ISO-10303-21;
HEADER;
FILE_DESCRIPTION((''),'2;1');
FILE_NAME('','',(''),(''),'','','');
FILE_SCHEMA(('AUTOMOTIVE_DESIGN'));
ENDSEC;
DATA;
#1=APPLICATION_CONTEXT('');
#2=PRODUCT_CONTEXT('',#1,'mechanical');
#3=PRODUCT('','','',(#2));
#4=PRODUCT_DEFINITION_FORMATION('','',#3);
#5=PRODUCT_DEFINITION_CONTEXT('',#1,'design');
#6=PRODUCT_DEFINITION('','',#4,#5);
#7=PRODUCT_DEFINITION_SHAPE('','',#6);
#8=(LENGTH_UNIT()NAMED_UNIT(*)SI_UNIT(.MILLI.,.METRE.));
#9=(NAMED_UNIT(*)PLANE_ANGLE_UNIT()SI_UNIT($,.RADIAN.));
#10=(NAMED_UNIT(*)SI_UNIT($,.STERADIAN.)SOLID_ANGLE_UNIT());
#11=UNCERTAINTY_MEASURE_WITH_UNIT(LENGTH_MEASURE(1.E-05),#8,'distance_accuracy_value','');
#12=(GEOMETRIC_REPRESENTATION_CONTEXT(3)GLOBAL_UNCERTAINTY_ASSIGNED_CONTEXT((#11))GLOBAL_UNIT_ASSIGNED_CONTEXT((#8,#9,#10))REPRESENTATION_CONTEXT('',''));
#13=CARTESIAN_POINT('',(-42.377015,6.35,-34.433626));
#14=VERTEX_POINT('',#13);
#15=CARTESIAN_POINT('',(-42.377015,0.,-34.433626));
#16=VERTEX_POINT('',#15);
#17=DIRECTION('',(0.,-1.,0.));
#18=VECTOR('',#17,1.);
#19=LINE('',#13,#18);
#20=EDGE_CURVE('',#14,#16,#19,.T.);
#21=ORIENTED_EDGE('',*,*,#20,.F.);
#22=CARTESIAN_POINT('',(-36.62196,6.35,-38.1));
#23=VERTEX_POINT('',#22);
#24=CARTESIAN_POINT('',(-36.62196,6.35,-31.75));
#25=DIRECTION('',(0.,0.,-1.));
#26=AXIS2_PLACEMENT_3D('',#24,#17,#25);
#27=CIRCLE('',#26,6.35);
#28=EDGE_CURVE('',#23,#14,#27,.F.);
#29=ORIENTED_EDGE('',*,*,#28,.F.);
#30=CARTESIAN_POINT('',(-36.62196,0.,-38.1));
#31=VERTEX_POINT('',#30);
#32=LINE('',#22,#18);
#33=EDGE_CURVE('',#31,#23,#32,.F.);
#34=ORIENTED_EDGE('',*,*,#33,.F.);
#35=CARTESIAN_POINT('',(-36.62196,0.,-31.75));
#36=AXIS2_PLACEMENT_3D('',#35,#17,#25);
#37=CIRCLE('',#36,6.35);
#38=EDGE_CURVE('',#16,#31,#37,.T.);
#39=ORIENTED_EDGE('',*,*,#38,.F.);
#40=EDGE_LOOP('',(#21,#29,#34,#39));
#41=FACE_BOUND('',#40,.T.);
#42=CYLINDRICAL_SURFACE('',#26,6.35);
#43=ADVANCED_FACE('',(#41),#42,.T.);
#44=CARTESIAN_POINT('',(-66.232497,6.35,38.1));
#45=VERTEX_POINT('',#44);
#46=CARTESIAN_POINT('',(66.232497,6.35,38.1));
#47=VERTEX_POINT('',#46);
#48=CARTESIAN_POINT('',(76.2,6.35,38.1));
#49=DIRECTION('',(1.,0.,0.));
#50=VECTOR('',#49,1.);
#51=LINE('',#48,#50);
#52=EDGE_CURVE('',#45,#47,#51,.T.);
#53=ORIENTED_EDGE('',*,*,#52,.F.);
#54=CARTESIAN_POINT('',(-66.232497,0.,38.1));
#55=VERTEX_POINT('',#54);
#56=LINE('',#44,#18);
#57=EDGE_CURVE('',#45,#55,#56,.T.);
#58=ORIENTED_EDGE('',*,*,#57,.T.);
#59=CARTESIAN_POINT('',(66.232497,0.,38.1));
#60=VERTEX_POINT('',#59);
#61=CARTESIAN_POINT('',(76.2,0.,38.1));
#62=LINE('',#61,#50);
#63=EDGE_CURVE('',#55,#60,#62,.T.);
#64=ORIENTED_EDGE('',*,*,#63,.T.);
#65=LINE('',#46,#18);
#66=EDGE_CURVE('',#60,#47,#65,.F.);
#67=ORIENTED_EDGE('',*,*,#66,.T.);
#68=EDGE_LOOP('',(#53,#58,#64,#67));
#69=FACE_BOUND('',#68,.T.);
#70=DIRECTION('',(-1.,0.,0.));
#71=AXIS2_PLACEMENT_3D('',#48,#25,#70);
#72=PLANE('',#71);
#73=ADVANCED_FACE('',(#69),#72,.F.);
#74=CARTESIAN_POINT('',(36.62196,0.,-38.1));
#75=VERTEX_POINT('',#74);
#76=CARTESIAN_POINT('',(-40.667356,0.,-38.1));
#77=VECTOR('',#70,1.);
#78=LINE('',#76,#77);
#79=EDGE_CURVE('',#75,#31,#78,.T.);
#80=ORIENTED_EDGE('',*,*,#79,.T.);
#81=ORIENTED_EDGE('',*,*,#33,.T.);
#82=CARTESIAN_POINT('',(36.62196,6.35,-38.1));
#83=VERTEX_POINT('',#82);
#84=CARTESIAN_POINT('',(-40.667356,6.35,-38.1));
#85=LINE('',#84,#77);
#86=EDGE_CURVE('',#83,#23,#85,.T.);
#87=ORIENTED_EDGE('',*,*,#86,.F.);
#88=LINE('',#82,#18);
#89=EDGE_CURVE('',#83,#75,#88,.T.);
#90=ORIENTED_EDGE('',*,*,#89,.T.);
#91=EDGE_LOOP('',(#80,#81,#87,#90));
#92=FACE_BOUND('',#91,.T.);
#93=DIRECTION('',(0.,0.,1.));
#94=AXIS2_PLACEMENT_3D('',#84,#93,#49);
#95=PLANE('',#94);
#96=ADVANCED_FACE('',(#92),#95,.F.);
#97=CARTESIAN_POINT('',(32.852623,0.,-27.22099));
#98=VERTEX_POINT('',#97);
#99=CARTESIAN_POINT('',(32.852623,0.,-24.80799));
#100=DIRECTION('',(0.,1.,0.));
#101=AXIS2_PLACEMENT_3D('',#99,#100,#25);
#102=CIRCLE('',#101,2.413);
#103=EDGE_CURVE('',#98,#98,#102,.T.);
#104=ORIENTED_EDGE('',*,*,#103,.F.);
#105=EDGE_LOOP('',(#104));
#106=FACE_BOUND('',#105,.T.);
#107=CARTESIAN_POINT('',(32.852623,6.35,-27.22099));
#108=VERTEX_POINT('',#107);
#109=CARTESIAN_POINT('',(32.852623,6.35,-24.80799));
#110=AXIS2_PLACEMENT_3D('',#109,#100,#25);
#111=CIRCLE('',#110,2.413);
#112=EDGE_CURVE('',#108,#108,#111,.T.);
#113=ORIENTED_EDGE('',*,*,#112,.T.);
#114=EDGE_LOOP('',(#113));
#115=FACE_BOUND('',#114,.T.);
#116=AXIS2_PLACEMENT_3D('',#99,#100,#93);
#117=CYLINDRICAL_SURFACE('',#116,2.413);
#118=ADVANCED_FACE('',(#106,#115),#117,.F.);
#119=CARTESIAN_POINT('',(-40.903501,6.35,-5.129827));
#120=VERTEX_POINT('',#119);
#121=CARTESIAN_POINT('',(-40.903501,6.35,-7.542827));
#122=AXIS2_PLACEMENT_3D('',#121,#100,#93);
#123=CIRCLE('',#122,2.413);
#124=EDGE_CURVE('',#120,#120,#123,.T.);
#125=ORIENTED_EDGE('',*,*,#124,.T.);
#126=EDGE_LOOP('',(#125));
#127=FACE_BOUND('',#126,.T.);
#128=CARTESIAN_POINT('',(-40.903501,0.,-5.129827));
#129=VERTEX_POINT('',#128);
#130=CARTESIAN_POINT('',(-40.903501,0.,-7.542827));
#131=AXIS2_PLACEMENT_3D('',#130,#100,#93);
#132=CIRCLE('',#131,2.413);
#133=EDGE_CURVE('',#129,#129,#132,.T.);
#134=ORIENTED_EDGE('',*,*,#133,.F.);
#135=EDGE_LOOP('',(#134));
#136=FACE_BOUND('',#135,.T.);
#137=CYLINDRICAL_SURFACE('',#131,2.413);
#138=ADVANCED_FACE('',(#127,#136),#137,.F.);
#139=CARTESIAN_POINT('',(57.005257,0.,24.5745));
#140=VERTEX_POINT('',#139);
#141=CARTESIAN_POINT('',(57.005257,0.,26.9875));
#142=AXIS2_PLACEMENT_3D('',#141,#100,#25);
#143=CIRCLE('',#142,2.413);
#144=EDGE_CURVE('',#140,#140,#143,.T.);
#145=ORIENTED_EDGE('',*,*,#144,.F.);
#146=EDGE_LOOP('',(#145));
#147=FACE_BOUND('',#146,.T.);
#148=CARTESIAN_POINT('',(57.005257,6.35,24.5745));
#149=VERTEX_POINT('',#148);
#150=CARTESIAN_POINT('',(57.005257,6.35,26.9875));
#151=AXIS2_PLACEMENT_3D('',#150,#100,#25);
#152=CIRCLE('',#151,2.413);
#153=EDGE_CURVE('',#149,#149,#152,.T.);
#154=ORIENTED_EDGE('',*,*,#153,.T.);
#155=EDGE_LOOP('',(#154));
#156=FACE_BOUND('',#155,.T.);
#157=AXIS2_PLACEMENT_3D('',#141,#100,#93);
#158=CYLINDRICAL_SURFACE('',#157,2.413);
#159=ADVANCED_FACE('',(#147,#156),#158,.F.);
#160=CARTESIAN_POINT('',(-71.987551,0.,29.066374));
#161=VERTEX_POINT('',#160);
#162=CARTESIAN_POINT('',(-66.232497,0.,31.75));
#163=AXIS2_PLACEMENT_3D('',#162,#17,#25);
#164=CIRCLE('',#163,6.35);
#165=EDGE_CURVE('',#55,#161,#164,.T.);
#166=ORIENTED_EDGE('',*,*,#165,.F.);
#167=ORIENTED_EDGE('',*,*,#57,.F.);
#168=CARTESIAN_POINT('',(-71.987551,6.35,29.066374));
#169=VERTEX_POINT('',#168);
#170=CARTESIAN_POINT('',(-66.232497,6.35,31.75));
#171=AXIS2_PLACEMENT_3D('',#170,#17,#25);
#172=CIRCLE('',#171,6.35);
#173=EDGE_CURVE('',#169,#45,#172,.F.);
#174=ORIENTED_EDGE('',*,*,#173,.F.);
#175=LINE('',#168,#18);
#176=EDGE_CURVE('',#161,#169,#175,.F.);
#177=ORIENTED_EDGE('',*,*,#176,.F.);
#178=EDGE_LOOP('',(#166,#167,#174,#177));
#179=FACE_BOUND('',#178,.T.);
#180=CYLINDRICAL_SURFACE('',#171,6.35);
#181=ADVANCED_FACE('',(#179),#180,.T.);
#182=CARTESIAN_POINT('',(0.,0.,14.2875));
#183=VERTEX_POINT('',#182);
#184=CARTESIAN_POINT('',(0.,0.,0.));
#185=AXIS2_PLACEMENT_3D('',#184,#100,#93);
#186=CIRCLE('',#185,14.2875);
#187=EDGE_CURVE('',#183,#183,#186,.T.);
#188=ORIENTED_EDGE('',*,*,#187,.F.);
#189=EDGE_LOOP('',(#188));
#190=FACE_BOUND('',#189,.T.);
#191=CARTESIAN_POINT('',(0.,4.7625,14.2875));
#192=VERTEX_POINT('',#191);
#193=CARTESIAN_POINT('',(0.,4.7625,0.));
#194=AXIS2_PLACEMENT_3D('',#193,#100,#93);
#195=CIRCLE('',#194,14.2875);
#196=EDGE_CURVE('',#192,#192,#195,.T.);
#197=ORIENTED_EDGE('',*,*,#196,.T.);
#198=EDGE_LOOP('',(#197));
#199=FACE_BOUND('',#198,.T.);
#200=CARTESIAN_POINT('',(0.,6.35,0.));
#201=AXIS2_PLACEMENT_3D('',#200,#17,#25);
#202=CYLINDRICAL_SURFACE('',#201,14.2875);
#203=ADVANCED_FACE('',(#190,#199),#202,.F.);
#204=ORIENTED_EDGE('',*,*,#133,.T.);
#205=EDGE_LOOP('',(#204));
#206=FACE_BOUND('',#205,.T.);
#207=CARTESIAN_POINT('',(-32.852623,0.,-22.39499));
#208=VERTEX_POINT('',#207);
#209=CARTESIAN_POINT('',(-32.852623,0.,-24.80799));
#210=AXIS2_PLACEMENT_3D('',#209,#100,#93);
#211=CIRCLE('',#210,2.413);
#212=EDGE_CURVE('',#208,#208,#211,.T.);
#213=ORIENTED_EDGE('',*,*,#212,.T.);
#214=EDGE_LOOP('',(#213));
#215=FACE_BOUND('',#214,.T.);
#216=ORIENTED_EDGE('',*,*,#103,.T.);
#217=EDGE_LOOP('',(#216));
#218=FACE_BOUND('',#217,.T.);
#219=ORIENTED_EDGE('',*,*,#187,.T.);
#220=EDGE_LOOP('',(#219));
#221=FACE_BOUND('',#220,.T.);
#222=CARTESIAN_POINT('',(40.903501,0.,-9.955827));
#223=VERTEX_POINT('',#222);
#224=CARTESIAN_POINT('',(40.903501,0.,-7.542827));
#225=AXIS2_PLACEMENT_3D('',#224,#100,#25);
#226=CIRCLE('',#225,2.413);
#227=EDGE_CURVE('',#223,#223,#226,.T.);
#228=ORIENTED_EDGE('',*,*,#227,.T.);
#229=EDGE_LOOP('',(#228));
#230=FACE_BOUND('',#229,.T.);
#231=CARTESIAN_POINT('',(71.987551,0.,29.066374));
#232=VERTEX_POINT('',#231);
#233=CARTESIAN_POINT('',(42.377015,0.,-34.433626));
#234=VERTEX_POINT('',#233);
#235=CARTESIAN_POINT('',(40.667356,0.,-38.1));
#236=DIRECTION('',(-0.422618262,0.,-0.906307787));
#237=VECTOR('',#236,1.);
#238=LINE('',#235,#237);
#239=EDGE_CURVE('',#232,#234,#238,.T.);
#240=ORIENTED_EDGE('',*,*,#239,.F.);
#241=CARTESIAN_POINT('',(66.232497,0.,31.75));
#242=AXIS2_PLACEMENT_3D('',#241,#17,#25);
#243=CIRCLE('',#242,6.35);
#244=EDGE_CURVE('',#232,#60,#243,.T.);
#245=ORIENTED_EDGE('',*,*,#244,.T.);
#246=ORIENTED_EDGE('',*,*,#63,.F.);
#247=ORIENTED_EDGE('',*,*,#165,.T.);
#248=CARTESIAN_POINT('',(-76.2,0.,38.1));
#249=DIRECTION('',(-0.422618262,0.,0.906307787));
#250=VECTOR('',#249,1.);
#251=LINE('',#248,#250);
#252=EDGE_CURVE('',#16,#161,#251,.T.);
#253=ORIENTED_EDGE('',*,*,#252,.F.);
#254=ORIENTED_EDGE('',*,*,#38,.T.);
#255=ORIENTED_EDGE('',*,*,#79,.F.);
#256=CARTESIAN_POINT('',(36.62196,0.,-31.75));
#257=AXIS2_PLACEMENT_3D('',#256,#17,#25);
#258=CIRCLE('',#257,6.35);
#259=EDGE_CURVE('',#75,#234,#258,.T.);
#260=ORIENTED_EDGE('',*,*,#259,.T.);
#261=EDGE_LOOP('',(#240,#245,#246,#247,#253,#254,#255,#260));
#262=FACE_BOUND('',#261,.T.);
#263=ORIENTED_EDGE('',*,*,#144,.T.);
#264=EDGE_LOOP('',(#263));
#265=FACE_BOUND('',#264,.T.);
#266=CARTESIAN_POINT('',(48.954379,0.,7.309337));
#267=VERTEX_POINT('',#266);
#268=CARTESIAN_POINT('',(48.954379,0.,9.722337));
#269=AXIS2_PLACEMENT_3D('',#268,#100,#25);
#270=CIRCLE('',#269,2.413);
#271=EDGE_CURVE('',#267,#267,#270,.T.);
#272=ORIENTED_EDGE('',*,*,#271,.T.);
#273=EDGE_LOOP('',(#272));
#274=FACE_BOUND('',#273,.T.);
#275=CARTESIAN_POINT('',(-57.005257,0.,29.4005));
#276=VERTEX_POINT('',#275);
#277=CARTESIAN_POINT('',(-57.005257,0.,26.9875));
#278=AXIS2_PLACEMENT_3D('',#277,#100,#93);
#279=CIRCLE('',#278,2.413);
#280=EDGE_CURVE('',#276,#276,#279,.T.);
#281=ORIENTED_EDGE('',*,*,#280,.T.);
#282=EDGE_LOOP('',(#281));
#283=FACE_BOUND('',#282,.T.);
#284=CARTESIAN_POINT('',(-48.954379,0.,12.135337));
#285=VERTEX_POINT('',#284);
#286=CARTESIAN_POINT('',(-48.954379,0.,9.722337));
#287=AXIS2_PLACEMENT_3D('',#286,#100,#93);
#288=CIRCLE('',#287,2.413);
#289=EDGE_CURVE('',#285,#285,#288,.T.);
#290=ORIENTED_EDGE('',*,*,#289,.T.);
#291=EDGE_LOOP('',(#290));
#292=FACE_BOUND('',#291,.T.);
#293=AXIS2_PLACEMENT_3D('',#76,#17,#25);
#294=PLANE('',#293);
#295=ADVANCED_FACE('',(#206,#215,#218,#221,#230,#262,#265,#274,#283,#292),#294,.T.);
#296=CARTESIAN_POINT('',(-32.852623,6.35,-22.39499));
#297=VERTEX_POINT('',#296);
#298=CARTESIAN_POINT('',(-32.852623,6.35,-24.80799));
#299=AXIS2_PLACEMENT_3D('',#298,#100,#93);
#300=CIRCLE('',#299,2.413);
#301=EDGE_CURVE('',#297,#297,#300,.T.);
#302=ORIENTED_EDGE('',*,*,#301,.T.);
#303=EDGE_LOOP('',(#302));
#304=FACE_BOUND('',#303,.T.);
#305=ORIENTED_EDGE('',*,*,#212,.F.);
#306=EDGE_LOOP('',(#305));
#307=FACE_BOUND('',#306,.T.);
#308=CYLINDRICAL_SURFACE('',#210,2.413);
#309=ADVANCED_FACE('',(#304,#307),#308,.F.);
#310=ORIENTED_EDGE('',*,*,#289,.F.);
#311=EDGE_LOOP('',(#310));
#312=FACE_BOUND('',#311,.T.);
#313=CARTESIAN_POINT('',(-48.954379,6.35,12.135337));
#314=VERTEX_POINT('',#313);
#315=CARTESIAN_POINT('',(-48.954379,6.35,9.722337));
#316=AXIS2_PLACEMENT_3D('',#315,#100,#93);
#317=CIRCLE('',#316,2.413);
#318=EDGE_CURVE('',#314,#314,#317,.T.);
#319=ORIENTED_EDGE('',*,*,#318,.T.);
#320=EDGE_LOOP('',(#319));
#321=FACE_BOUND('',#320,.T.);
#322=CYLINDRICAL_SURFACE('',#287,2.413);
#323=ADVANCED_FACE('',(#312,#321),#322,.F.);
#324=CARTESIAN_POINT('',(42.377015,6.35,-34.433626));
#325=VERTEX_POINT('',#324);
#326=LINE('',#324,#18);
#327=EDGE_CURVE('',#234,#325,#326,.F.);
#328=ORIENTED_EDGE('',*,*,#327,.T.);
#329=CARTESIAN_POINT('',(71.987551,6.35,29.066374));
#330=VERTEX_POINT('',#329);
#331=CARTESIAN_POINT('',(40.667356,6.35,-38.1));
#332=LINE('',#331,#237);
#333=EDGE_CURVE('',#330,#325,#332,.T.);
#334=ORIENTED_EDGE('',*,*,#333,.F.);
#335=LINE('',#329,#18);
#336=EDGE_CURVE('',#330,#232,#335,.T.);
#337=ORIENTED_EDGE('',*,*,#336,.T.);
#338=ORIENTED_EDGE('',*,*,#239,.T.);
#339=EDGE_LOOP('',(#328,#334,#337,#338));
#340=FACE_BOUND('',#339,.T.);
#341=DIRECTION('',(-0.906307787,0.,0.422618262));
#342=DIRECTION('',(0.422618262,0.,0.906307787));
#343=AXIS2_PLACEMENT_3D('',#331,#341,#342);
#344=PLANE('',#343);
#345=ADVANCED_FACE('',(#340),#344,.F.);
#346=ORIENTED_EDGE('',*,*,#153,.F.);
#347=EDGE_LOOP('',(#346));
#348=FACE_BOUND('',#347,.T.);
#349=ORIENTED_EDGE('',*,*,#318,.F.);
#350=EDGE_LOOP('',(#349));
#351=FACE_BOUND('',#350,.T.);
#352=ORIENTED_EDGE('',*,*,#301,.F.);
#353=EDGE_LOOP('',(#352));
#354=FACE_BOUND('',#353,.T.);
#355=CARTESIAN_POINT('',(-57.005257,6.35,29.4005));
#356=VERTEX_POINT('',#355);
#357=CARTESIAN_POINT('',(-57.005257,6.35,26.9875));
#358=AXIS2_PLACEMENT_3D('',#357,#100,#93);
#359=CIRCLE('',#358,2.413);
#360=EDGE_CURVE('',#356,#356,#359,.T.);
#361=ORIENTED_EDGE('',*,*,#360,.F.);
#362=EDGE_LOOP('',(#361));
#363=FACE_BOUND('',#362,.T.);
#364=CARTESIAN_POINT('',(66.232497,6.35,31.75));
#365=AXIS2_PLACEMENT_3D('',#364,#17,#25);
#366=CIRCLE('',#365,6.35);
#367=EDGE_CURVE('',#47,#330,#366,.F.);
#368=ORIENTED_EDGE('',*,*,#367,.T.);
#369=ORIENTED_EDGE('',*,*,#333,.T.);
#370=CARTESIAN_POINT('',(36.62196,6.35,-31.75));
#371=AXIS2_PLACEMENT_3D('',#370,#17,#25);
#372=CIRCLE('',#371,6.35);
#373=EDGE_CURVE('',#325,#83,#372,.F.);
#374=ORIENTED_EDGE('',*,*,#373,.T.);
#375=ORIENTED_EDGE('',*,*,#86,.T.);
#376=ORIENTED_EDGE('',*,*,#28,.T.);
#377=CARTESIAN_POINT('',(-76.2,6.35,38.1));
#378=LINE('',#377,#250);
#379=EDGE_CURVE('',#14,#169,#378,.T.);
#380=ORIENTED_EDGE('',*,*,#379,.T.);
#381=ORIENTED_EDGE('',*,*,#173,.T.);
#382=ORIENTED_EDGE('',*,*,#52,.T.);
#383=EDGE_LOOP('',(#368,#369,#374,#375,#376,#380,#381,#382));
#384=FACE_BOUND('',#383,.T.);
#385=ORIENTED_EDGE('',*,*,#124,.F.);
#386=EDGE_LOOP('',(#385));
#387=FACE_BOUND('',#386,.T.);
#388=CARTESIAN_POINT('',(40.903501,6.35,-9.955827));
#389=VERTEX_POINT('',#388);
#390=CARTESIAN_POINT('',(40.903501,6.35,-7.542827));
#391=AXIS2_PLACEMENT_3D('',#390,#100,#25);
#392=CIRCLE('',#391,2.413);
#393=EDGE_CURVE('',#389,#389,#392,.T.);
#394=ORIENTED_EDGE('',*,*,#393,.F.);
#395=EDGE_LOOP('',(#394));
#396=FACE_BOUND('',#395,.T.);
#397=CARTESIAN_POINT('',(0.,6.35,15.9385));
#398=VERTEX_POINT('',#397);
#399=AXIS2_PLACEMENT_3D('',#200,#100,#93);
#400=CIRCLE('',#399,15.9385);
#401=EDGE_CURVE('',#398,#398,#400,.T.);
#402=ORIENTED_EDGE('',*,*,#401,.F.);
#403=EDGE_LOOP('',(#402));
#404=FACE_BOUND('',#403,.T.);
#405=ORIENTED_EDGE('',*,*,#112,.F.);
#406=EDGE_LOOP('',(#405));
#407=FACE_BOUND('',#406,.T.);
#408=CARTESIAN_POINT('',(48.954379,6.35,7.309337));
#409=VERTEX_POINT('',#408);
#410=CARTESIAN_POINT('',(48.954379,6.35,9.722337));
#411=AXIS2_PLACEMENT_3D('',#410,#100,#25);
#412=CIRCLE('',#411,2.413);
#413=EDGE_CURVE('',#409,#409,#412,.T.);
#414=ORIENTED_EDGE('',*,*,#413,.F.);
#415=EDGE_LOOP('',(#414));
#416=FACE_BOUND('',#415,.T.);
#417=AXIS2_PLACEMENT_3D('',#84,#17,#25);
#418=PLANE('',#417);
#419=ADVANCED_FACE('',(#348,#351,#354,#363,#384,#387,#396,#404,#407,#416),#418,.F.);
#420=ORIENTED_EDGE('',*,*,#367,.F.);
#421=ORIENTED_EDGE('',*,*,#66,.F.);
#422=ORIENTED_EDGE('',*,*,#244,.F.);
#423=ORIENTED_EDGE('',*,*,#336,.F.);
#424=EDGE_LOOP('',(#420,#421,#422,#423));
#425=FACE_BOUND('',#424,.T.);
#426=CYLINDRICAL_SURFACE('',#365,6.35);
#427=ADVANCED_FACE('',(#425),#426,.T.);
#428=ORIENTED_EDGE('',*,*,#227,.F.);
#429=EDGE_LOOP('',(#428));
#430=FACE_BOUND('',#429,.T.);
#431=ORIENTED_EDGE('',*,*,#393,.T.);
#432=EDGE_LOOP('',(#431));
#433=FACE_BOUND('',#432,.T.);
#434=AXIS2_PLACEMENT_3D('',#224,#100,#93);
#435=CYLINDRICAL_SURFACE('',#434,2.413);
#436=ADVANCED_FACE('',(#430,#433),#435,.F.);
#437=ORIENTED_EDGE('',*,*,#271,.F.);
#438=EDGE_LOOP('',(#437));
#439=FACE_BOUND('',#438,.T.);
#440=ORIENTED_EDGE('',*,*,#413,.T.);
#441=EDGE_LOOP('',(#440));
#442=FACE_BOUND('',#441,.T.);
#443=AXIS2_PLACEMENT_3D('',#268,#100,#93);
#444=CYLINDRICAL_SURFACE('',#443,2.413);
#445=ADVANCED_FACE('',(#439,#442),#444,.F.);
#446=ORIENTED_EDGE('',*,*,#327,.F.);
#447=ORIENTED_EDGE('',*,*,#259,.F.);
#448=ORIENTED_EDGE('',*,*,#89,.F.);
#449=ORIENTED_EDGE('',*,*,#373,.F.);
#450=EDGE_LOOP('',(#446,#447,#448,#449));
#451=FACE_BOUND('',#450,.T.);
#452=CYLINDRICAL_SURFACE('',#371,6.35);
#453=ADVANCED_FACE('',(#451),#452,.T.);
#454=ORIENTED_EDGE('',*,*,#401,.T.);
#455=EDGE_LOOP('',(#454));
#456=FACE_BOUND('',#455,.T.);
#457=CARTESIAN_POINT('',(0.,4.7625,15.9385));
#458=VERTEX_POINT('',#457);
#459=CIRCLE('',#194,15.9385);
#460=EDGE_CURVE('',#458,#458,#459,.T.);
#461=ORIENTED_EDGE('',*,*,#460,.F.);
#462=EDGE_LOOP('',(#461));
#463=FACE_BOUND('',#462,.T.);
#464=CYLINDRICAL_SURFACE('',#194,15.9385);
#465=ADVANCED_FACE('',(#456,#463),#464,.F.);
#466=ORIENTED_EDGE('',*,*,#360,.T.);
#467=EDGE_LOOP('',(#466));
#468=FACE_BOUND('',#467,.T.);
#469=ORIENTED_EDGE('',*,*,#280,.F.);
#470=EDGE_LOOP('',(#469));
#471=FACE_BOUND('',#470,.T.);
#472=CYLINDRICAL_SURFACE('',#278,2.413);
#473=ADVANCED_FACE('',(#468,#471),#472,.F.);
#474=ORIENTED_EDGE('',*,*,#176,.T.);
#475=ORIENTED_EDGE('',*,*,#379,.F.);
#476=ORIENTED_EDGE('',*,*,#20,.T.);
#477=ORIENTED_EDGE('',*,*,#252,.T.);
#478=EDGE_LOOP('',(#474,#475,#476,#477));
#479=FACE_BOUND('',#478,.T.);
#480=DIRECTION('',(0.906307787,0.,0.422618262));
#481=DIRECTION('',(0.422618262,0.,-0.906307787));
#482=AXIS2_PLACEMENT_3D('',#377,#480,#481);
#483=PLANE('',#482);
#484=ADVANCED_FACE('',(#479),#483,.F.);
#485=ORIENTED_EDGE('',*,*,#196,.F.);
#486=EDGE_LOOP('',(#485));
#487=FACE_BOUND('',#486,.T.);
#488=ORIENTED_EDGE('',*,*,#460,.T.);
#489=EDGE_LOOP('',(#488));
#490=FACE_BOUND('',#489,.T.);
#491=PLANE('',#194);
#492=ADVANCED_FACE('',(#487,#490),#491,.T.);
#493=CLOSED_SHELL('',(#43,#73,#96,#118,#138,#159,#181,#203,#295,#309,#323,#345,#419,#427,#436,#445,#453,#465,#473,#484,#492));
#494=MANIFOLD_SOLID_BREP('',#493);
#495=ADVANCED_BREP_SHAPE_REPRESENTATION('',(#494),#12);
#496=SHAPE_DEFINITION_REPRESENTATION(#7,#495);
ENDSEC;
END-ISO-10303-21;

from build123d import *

# Parameters (mm, degrees)
SKETCH1_R           = 14.2875
BOSS_EXTRUDE1_DEPTH = 6.35
SKETCH2_R           = 2.413
CUT_EXTRUDE1_DEPTH  = 86.430512699
FILLET1_R           = 6.35
SKETCH3_R           = 15.9385
CUT_EXTRUDE2_DEPTH  = 1.5875


with BuildPart() as part:
    # Sketch1 → Boss-Extrude1 (new body)
    with BuildSketch(Plane(origin=(0, 0, 0), x_dir=(1, 0, 0), z_dir=(0, 1, 0))):
        Polygon((-40.667356449, 38.1), (40.667356449, 38.1), (76.2, -38.1), (-76.2, -38.1), align=None)
        with Locations(Location((0, 0, 0), (0, 0, 270))):
            Circle(SKETCH1_R, mode=Mode.SUBTRACT)
    extrude(amount=BOSS_EXTRUDE1_DEPTH)

    # Sketch2 → Cut-Extrude1 (cut, through all)
    with BuildSketch(Plane(origin=(0, 6.35, 0), x_dir=(1, 0, 0), z_dir=(0, 1, 0))):
        with Locations(Location((-57.005256578, -26.9875, 0), (0, 0, 270))):
            Circle(SKETCH2_R)
        with Locations(Location((-48.954378692, -9.722336657, 0), (0, 0, 270))):
            Circle(SKETCH2_R)
        with Locations(Location((-40.903500806, 7.542826686, 0), (0, 0, 270))):
            Circle(SKETCH2_R)
        with Locations(Location((-32.852622919, 24.807990029, 0), (0, 0, 270))):
            Circle(SKETCH2_R)
        with Locations(Location((32.852622919, 24.807990029, 0), (0, 0, 90))):
            Circle(SKETCH2_R)
        with Locations(Location((40.903500806, 7.542826686, 0), (0, 0, 90))):
            Circle(SKETCH2_R)
        with Locations(Location((48.954378692, -9.722336657, 0), (0, 0, 90))):
            Circle(SKETCH2_R)
        with Locations(Location((57.005256578, -26.9875, 0), (0, 0, 90))):
            Circle(SKETCH2_R)
    extrude(amount=-CUT_EXTRUDE1_DEPTH, mode=Mode.SUBTRACT)

    # Fillet1
    fillet1_edges = [part.edges().sort_by_distance(p)[0] for p in [
        (-40.667356449, 3.175, -38.1),
        (40.667356449, 3.175, -38.1),
        (76.2, 3.175, 38.1),
        (-76.2, 3.175, 38.1),
    ]]
    fillet(fillet1_edges, radius=FILLET1_R)

    # Sketch3 → Cut-Extrude2 (cut)
    with BuildSketch(Plane(origin=(0, 6.35, 0), x_dir=(1, 0, 0), z_dir=(0, 1, 0))):
        with Locations(Location((0, 0, 0), (0, 0, 270))):
            Circle(SKETCH3_R)
    extrude(amount=-CUT_EXTRUDE2_DEPTH, mode=Mode.SUBTRACT)


solid = part.part
